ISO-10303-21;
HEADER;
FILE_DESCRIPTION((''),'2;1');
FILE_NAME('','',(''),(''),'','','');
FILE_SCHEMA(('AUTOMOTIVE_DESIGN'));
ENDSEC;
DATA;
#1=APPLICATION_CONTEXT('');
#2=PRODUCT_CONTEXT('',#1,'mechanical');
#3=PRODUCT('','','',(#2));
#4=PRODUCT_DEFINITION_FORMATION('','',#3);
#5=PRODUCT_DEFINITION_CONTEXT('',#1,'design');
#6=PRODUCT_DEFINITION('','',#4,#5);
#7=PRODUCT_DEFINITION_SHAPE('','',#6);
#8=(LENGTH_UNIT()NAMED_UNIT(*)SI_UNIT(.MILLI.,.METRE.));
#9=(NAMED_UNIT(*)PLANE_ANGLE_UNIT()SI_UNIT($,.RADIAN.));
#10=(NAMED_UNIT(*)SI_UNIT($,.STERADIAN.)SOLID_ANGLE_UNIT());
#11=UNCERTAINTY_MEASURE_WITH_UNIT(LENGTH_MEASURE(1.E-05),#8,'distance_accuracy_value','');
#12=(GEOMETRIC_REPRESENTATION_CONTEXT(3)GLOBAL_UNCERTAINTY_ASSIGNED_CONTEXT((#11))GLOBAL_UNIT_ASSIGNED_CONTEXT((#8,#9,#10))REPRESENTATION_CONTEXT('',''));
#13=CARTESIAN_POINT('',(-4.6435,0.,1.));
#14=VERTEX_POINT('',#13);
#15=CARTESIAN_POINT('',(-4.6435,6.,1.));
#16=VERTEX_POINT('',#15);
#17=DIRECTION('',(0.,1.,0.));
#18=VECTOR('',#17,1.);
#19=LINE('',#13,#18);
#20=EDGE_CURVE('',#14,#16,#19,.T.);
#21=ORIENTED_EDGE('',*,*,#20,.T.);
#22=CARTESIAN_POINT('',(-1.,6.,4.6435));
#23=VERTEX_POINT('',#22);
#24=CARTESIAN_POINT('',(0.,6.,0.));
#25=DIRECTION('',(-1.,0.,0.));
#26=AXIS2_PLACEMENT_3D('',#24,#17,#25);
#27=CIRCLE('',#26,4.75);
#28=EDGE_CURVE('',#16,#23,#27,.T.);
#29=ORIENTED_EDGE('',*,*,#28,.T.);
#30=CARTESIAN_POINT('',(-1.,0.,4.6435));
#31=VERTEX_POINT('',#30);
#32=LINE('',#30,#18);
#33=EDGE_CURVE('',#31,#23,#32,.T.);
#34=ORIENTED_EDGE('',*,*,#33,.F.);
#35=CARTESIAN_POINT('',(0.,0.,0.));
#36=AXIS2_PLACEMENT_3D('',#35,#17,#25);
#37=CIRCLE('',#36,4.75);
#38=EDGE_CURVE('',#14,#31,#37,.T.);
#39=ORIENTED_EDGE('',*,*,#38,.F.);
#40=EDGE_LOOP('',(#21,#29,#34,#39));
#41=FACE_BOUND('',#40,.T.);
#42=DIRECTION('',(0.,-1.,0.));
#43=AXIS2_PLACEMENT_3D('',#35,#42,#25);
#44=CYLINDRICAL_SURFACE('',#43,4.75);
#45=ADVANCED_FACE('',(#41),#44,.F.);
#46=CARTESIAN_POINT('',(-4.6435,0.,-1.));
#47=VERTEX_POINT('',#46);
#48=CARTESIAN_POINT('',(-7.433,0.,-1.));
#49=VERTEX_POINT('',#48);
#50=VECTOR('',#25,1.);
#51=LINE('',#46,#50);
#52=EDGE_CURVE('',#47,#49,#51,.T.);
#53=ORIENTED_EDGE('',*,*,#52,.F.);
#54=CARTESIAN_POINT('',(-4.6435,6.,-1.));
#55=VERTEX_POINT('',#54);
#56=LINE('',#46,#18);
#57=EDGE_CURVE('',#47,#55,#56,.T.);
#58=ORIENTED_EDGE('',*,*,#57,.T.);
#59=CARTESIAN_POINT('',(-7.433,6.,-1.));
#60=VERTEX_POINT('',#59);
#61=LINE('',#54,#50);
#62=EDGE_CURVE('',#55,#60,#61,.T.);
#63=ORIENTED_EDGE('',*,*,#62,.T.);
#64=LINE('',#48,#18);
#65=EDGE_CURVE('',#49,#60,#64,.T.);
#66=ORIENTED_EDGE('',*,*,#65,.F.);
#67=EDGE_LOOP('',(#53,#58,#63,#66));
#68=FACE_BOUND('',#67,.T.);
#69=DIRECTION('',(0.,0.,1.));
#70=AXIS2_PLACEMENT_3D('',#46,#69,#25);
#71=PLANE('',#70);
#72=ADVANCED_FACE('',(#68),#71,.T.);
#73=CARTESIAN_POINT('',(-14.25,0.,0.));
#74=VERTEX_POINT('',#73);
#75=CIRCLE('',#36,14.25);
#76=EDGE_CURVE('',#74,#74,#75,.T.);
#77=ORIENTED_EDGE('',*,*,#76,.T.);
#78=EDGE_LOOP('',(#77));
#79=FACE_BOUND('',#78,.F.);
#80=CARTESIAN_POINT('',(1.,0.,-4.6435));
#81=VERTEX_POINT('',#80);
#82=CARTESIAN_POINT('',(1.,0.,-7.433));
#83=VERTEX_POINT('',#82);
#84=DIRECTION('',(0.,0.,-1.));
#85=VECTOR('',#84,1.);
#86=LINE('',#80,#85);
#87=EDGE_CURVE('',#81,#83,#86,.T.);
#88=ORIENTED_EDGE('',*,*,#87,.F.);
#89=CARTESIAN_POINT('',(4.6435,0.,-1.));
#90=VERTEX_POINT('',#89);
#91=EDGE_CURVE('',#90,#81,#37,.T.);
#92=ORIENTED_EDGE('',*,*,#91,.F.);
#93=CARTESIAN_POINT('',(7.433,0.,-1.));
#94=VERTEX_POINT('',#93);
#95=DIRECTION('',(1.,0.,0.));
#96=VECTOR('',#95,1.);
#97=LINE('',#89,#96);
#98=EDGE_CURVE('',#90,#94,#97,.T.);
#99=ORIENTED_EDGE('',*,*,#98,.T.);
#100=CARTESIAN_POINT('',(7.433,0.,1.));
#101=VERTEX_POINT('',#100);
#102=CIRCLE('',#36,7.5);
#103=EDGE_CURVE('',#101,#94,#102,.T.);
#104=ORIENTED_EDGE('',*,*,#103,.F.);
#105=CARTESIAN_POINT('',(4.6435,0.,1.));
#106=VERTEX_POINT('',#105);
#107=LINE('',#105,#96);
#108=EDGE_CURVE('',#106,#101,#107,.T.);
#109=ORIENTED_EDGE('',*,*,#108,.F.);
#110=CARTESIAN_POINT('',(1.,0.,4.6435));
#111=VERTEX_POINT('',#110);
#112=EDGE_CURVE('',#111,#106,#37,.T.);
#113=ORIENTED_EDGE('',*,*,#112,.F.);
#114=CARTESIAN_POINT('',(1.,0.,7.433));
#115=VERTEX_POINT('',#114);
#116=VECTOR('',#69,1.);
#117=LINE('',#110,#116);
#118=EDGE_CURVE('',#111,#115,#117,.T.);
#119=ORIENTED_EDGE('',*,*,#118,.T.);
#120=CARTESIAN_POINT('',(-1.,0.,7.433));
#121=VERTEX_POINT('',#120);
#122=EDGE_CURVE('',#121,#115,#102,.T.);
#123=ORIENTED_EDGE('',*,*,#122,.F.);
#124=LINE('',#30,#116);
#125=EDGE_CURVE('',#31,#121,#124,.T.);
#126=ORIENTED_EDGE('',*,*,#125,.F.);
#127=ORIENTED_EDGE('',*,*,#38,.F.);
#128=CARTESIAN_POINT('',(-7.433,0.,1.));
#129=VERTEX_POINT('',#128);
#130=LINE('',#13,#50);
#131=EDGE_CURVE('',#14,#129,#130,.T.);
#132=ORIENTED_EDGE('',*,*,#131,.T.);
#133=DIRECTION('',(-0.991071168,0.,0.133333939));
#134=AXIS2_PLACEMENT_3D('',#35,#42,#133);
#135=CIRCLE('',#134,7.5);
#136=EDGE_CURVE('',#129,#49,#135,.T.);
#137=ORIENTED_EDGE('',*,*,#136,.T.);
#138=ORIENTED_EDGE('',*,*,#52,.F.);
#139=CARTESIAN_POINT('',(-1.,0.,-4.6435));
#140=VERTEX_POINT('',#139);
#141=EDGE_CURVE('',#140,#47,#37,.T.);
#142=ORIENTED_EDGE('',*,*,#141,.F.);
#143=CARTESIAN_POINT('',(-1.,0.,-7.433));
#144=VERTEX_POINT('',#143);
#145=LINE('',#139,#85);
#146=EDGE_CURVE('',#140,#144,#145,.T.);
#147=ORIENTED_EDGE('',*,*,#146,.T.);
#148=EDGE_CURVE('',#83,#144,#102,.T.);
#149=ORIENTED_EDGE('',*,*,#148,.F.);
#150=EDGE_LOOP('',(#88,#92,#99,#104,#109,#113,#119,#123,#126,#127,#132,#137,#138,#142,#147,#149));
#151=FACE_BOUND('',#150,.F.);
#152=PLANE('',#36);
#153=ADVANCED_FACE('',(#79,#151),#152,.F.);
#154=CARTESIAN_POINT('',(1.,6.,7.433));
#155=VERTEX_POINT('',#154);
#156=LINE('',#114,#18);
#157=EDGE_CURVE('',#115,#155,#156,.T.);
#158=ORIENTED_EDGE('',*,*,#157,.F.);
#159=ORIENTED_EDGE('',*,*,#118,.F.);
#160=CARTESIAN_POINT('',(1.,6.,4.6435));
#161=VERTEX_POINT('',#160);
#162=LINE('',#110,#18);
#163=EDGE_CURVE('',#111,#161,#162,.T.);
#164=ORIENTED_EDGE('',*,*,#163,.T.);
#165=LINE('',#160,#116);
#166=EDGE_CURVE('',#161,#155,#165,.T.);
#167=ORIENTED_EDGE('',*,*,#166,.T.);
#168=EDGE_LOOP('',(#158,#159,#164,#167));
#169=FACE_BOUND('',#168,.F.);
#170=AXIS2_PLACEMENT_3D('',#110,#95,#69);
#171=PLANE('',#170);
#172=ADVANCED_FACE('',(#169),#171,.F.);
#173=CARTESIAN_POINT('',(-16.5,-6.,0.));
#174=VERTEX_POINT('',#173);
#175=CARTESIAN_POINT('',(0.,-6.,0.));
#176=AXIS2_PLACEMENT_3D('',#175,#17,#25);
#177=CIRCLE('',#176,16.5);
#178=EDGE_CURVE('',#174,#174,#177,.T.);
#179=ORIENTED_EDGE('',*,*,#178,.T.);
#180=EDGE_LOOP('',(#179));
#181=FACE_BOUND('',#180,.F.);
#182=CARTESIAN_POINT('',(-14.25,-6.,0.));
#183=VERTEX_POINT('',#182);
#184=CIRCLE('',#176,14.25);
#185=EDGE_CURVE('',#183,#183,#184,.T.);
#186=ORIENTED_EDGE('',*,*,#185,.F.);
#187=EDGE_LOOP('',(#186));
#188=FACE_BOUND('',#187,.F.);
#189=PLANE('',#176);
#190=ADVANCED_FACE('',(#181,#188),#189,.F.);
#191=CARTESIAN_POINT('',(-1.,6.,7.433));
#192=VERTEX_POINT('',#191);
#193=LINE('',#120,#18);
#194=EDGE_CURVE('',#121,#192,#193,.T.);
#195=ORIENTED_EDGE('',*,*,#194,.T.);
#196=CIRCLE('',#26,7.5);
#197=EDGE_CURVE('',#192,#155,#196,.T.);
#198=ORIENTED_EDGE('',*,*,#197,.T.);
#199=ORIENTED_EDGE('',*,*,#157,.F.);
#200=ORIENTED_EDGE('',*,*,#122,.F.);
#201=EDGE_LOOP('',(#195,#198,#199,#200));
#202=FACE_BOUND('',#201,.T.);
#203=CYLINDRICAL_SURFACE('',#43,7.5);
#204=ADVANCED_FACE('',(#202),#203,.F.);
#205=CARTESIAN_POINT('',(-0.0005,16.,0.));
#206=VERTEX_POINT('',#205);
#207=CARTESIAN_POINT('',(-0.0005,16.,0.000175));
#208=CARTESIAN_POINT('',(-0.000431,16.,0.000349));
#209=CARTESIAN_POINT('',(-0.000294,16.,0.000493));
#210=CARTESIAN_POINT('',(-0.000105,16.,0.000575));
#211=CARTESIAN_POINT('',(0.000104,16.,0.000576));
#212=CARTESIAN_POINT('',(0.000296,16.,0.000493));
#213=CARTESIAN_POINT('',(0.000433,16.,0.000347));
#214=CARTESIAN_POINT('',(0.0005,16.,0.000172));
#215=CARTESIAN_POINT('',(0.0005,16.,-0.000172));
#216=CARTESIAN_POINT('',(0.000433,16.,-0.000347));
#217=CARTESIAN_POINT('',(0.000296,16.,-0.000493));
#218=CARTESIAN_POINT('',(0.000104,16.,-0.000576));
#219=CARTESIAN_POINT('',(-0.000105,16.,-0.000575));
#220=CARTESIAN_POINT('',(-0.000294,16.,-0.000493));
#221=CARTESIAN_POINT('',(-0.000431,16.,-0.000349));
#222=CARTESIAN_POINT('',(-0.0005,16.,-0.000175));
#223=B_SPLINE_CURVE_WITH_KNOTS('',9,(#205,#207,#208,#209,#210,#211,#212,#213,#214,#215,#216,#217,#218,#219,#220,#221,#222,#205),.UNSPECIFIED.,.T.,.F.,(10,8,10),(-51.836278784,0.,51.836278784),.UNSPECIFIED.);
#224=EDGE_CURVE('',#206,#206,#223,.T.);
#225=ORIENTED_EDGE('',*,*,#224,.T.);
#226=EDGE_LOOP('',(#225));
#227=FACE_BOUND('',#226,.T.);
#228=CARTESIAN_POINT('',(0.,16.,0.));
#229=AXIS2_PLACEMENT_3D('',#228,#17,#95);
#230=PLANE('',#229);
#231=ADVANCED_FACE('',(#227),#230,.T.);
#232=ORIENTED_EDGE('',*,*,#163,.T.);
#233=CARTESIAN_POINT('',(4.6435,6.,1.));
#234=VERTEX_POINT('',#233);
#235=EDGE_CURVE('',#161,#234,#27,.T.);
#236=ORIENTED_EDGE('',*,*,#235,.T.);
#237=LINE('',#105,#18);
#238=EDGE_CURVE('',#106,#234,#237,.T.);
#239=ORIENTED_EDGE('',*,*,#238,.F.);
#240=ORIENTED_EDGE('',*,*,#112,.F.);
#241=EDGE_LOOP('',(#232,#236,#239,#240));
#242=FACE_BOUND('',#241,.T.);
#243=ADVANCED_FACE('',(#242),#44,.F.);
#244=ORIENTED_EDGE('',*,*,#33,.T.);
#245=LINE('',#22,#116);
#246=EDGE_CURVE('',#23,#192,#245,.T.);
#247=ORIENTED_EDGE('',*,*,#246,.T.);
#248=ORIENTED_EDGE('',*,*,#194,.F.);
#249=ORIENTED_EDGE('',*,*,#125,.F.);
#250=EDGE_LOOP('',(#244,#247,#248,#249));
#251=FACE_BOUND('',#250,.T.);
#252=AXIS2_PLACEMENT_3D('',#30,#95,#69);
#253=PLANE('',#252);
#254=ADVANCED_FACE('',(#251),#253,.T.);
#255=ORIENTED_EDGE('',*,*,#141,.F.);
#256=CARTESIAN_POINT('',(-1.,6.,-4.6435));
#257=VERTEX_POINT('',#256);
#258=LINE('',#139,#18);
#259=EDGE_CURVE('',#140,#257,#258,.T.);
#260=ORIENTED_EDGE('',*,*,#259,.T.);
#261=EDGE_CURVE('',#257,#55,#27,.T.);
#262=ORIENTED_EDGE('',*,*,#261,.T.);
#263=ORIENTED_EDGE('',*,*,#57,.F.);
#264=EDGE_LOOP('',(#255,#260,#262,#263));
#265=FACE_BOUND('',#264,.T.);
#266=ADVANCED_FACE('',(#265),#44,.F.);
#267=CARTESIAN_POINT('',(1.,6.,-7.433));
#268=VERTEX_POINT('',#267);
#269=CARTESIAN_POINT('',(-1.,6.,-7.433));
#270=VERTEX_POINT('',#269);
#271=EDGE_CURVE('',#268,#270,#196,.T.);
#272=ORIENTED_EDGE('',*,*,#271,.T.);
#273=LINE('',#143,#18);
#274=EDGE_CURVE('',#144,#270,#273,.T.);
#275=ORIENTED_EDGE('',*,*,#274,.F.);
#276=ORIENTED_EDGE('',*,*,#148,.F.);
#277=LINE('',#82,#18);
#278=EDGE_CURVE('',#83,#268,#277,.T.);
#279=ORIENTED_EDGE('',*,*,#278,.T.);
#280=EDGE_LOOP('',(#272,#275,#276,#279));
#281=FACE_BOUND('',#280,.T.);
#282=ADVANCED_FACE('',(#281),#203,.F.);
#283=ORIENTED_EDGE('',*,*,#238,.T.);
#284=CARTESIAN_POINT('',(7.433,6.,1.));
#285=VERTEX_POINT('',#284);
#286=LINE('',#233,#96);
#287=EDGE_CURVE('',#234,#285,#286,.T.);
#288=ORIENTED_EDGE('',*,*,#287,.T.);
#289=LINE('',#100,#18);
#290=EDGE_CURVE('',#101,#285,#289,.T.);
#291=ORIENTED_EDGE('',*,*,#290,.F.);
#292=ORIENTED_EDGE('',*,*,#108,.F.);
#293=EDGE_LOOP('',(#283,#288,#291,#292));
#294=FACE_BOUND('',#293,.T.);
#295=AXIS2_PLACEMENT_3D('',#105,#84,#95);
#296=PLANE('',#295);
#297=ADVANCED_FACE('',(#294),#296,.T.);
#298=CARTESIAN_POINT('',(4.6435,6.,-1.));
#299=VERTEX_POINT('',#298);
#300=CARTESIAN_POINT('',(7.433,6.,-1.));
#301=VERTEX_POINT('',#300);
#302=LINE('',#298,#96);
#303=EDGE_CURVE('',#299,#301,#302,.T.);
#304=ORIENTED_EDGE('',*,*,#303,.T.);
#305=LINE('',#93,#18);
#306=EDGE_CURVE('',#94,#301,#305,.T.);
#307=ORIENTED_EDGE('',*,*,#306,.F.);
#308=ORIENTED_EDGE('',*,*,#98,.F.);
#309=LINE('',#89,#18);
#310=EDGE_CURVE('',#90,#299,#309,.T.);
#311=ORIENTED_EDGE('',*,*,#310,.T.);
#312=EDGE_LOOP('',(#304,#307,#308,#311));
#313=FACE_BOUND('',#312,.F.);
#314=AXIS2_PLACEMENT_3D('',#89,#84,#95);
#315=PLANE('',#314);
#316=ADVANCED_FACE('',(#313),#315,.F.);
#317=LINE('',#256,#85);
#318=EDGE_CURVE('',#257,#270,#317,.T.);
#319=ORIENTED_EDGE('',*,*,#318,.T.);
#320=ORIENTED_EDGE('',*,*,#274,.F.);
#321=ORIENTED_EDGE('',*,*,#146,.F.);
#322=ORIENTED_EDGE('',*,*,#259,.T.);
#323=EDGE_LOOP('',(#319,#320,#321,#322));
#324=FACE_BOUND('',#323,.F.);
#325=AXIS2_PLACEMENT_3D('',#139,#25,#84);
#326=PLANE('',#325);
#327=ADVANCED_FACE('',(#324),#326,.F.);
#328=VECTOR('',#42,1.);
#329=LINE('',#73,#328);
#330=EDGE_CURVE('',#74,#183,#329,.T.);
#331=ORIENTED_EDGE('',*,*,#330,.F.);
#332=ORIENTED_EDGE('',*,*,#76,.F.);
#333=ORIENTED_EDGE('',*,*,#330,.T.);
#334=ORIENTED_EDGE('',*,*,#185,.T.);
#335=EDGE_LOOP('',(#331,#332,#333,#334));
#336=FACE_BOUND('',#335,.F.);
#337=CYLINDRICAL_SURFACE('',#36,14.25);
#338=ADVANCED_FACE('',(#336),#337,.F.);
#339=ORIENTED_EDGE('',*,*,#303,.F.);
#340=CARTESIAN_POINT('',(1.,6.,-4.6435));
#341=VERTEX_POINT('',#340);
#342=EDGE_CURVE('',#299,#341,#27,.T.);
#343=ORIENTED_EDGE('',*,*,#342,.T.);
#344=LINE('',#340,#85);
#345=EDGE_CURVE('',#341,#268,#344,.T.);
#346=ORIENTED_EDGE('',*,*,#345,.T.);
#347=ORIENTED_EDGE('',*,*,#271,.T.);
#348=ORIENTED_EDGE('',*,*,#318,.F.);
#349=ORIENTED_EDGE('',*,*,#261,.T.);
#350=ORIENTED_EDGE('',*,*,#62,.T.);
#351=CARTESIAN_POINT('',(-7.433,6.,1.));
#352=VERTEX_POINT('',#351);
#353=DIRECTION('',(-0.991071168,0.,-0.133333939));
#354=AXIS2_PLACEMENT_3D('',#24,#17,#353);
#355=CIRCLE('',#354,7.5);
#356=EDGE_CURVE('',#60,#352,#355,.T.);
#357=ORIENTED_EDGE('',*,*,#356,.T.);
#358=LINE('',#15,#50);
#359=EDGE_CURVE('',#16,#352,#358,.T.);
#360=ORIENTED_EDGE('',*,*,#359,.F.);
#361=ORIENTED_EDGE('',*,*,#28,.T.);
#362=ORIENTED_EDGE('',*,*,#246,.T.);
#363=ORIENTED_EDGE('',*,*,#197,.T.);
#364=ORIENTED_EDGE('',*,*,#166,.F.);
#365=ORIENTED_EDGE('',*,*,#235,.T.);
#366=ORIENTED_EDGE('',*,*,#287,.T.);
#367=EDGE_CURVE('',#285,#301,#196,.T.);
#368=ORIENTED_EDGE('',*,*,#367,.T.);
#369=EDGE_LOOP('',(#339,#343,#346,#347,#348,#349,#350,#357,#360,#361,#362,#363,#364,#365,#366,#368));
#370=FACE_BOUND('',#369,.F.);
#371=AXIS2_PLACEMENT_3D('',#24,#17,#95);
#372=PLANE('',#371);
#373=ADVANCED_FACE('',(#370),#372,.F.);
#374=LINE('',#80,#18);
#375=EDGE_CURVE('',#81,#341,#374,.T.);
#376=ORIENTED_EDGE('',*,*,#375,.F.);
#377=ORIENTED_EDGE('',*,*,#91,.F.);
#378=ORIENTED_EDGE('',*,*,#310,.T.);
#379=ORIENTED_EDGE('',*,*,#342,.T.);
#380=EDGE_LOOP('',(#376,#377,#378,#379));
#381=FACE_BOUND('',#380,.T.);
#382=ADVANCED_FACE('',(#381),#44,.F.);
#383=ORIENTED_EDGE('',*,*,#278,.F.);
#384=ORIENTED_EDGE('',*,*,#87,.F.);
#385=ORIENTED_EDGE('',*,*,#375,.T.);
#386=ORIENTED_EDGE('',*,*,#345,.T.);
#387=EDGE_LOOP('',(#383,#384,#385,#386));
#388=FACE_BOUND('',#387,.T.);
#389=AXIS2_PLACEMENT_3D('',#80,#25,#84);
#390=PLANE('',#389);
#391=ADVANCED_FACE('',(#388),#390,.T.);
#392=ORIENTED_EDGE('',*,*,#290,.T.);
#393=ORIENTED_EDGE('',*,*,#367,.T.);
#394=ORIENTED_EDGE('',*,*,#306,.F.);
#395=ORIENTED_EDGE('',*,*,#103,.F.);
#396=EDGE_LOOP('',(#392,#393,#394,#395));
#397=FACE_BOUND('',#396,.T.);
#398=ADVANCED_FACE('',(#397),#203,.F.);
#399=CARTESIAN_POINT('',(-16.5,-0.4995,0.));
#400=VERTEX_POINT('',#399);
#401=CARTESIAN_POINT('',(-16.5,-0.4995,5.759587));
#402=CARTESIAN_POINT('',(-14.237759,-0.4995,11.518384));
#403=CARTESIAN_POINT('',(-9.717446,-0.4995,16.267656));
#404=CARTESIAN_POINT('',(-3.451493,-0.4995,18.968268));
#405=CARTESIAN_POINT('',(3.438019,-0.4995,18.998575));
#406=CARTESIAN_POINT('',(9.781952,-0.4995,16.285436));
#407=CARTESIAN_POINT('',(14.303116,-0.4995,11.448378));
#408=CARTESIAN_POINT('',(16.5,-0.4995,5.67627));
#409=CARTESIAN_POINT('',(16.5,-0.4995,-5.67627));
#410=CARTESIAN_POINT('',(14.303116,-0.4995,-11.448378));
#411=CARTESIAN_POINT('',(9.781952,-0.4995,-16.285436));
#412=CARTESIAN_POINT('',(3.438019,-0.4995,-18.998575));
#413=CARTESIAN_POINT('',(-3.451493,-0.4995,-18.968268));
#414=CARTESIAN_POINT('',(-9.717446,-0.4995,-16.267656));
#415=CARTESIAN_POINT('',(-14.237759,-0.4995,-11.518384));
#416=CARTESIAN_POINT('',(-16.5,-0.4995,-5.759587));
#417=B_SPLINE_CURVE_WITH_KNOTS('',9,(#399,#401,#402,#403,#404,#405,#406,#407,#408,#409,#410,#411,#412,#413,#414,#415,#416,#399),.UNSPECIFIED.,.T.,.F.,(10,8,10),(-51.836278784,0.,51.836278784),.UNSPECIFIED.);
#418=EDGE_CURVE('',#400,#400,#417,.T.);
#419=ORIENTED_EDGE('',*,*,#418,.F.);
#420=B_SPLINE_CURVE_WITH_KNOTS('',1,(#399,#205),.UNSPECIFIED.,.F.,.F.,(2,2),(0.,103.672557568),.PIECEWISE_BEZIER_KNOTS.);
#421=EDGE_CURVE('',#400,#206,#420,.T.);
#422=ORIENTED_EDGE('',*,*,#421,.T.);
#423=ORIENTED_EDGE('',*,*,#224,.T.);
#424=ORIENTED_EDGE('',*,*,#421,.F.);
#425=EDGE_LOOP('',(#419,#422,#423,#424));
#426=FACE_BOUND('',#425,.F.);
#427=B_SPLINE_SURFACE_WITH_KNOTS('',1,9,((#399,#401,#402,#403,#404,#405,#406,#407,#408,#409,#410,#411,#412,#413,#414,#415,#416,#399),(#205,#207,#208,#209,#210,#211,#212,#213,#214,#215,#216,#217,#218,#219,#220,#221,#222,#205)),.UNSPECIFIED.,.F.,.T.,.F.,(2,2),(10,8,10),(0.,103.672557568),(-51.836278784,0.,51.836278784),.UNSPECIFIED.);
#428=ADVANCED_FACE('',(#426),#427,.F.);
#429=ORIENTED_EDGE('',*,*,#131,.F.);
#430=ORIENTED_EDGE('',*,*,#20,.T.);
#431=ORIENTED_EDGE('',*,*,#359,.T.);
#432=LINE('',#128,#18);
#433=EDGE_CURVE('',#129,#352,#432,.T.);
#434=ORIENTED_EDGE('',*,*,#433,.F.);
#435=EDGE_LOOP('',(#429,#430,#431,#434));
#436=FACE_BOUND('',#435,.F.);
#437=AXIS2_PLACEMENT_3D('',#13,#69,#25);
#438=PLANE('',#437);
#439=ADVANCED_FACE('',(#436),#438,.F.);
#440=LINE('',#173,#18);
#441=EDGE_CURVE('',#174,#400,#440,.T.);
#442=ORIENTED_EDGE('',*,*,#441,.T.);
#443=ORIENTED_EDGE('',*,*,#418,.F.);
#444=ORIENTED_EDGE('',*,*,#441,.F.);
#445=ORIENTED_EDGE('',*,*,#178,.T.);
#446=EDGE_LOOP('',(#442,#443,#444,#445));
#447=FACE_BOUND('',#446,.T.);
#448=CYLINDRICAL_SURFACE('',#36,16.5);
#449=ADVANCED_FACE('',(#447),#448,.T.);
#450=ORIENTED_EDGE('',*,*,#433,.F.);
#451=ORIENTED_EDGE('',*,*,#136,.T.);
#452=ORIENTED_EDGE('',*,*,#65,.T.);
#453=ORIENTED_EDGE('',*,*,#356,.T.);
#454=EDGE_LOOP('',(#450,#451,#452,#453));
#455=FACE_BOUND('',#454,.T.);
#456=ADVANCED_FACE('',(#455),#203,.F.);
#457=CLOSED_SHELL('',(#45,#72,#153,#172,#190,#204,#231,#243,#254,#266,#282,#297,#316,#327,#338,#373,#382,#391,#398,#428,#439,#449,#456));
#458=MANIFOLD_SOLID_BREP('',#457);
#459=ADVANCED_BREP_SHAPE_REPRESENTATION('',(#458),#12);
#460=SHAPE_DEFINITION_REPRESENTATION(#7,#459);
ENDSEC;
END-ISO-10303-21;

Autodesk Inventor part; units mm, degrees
ref_plane "YZ Plane" through (0, 0, 0) normal (1, 0, 0) x (0, 1, 0)
ref_plane "XZ Plane" through (0, 0, 0) normal (0, 1, 0) x (-1, 0, 0)
ref_plane "XY Plane" through (0, 0, 0) normal (0, 0, 1) x (1, 0, 0)
sketch "Sketch1" plane through (0, 0, 0) normal (0, 1, 0) x (-1, 0, 0)
  circle A0 centre (0, 0) radius 7.5
  circle A1 centre (0, 0) radius 4.75
  circle A2 centre (0, 0) radius 14.25
  circle A3 centre (0, 0) radius 16.5
  line L0 (-4.6435, -1) -> (-7.433, -1)
  line L1 (0, 0) -> (-16.5, 0) construction
  line L2 (-4.6435, 1) -> (-7.433, 1)
  line L3 (1, -4.6435) -> (1, -7.433)
  line L4 (-1, -4.6435) -> (-1, -7.433)
  line L5 (4.6435, 1) -> (7.433, 1)
  line L6 (4.6435, -1) -> (7.433, -1)
  line L7 (-1, 4.6435) -> (-1, 7.433)
  line L8 (1, 4.6435) -> (1, 7.433)
  dimension "d1" = 15
  dimension "d2" = 9.5
  dimension "d3" = 33
  dimension "d0" = 28.5
  dimension "d7" = 1
  dimension "d10" = 360
extrude "Extrusion1" add sketch "Sketch1" against normal blind 6 contours A3
extrude "Extrusion2" add sketch "Sketch1" along normal blind 6 contours L5 A1 L8 A0 | A0 L3 A1 L6 | L7 A1 L2 A0 | A0 L0 A1 L4 | A2 | A3
sketch "Sketch2" plane through (0, 6, 0) normal (0, 1, 0) x (1, 0, 0)
  circle A0 centre (0, 0) radius 16.5 projected
extrude "Extrusion3" add sketch "Sketch2" along normal blind 10
chamfer "Chamfer1" distance 16.5 angle 45 1 edges at (-16.5, 16, 0)
properties part number "Goma tacómetro_v2"
